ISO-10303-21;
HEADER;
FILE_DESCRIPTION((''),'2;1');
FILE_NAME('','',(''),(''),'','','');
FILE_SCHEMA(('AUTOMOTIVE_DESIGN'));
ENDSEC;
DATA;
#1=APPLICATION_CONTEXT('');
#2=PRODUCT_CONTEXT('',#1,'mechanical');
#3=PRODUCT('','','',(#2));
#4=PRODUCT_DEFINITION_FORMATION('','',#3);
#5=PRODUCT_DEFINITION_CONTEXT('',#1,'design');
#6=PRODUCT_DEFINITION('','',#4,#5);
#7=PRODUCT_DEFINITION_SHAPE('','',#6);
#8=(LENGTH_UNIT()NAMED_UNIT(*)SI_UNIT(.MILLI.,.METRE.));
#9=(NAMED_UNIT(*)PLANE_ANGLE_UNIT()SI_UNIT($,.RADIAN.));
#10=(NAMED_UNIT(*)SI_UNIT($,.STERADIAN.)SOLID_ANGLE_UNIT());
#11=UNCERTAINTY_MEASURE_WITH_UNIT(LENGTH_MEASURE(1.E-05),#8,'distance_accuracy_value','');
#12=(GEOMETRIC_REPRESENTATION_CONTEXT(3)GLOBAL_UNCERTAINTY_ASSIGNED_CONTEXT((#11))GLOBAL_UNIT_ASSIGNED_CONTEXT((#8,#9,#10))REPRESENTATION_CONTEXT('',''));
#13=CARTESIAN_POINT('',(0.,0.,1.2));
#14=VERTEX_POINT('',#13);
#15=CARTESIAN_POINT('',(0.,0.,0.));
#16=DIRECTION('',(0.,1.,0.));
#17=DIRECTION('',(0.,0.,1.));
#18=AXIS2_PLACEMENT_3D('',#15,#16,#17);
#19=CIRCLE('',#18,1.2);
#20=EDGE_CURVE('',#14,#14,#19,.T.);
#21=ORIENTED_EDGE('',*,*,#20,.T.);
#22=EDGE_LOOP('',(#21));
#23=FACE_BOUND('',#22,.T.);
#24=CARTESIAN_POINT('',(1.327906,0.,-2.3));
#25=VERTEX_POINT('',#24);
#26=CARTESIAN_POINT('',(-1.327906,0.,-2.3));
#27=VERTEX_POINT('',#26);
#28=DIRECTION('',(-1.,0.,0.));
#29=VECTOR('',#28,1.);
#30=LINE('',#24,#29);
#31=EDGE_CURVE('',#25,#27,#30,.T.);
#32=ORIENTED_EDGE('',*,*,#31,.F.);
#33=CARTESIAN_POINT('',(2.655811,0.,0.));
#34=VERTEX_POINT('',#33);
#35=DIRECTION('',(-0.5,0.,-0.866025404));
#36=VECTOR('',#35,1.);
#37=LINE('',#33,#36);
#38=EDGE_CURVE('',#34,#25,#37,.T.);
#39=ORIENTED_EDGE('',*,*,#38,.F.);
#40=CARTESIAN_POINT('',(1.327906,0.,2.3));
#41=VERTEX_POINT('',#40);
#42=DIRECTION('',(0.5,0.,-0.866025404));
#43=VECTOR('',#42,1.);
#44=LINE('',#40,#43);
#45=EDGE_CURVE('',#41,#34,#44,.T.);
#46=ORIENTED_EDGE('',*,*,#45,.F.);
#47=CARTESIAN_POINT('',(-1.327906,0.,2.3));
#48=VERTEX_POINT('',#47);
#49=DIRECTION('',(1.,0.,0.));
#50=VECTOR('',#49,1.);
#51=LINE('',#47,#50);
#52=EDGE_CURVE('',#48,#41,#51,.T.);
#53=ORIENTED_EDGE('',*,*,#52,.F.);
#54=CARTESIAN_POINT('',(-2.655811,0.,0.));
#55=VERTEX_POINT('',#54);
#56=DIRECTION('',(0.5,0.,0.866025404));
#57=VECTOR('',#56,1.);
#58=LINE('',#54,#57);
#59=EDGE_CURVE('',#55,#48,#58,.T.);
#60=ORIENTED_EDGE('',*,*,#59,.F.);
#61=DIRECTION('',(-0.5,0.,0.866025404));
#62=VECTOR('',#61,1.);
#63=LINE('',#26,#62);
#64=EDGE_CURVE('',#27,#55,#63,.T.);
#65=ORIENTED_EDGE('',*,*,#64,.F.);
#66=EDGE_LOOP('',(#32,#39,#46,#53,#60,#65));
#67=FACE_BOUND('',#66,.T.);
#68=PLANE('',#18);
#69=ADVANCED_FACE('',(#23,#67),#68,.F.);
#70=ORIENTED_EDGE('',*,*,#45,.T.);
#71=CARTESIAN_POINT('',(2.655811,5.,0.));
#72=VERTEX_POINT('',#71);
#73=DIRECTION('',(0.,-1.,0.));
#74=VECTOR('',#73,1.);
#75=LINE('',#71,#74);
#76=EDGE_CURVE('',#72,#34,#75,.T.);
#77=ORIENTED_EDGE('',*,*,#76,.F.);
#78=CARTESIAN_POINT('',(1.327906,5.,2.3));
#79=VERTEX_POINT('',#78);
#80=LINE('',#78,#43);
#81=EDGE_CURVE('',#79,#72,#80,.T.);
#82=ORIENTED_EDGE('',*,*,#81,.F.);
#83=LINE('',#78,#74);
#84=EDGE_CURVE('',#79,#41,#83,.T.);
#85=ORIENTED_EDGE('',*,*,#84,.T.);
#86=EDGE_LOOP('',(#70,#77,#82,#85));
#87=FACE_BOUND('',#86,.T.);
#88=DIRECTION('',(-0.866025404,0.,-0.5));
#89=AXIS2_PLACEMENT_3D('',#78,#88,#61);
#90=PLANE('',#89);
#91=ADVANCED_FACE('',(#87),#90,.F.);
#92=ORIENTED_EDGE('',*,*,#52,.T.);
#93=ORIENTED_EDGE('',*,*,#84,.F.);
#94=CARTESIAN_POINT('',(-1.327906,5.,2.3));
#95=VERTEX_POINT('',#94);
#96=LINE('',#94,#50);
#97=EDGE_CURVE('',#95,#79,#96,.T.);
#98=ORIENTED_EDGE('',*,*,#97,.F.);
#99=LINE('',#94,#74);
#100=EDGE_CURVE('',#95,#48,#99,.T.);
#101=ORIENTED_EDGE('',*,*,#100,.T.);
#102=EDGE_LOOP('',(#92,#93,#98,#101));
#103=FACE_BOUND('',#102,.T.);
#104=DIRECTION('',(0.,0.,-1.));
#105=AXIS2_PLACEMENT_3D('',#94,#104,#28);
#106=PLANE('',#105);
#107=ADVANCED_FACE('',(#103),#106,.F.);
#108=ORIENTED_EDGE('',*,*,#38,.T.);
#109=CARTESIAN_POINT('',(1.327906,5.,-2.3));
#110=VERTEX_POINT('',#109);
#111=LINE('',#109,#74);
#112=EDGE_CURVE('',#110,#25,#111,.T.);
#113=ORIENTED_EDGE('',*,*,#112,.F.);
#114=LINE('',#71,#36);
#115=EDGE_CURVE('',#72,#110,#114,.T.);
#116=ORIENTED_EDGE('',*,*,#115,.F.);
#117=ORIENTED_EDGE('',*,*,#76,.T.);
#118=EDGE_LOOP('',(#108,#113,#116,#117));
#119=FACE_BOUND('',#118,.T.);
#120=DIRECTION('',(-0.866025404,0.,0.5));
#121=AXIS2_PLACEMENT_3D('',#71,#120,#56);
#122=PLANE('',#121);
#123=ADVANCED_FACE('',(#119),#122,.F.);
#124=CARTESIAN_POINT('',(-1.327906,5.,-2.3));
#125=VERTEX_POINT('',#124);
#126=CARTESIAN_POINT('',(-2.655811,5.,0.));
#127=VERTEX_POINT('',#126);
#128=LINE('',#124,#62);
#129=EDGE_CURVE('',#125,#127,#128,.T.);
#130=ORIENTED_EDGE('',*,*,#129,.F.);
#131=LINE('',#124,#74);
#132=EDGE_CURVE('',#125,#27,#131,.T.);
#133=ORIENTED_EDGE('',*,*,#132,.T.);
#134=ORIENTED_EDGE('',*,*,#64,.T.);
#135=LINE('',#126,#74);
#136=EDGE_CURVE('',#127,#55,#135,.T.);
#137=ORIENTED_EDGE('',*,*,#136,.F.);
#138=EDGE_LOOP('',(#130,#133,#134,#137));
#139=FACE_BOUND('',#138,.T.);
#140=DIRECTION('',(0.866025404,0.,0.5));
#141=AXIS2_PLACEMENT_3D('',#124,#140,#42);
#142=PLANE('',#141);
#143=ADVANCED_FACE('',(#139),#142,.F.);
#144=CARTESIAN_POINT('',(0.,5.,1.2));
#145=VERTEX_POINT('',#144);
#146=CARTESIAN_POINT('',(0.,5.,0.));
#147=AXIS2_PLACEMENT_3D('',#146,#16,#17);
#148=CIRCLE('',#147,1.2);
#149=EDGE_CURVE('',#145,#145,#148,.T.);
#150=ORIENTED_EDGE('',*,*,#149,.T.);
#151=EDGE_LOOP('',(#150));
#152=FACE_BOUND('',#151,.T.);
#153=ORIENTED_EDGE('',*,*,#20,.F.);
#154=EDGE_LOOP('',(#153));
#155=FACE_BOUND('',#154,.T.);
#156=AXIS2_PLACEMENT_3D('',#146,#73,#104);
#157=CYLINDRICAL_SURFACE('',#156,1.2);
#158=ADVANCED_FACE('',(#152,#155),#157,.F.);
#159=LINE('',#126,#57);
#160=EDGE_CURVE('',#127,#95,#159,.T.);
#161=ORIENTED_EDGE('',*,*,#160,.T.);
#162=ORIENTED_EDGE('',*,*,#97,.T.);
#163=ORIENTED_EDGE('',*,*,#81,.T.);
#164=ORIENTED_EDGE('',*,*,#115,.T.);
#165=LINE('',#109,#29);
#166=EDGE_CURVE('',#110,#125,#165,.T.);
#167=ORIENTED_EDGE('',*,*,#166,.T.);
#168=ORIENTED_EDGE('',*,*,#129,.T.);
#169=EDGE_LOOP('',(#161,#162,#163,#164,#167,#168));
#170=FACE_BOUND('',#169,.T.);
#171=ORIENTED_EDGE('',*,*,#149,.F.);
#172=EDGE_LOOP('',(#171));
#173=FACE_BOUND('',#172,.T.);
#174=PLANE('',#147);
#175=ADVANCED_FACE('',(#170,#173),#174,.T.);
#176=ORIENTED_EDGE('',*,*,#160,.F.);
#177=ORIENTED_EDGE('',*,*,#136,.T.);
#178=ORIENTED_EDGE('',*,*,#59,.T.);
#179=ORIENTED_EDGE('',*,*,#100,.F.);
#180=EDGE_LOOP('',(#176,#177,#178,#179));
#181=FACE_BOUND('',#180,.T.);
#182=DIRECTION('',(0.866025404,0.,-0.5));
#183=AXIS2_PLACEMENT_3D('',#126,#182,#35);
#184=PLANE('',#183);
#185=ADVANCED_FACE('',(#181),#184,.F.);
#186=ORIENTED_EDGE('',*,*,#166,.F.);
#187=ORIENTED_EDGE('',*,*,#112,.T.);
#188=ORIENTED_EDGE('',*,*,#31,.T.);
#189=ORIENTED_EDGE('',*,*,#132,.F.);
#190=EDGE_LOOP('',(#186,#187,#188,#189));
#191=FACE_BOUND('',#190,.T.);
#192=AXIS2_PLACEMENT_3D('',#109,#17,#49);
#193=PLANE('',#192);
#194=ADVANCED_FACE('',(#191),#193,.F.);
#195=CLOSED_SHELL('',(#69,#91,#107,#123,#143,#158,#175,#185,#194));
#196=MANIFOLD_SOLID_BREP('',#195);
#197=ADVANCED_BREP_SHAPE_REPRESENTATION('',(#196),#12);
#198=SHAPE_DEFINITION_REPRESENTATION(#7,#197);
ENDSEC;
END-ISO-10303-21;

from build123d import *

# Parameters (mm, degrees)
SKETCH_1_R      = 1.2
EXTRUDE_1_DEPTH = 5


with BuildPart() as part:
    # 草图1 → 凸台-拉伸1 (new body)
    with BuildSketch(Plane(origin=(0, 0, 0), x_dir=(1, 0, 0), z_dir=(0, 1, 0))):
        Polygon((2.655811238, 0), (1.327905619, 2.3), (-1.327905619, 2.3), (-2.655811238, 0), (-1.327905619, -2.3), (1.327905619, -2.3), align=None)
        with Locations(Location((0, 0, 0), (0, 0, 270))):
            Circle(SKETCH_1_R, mode=Mode.SUBTRACT)
    extrude(amount=EXTRUDE_1_DEPTH)


solid = part.part
